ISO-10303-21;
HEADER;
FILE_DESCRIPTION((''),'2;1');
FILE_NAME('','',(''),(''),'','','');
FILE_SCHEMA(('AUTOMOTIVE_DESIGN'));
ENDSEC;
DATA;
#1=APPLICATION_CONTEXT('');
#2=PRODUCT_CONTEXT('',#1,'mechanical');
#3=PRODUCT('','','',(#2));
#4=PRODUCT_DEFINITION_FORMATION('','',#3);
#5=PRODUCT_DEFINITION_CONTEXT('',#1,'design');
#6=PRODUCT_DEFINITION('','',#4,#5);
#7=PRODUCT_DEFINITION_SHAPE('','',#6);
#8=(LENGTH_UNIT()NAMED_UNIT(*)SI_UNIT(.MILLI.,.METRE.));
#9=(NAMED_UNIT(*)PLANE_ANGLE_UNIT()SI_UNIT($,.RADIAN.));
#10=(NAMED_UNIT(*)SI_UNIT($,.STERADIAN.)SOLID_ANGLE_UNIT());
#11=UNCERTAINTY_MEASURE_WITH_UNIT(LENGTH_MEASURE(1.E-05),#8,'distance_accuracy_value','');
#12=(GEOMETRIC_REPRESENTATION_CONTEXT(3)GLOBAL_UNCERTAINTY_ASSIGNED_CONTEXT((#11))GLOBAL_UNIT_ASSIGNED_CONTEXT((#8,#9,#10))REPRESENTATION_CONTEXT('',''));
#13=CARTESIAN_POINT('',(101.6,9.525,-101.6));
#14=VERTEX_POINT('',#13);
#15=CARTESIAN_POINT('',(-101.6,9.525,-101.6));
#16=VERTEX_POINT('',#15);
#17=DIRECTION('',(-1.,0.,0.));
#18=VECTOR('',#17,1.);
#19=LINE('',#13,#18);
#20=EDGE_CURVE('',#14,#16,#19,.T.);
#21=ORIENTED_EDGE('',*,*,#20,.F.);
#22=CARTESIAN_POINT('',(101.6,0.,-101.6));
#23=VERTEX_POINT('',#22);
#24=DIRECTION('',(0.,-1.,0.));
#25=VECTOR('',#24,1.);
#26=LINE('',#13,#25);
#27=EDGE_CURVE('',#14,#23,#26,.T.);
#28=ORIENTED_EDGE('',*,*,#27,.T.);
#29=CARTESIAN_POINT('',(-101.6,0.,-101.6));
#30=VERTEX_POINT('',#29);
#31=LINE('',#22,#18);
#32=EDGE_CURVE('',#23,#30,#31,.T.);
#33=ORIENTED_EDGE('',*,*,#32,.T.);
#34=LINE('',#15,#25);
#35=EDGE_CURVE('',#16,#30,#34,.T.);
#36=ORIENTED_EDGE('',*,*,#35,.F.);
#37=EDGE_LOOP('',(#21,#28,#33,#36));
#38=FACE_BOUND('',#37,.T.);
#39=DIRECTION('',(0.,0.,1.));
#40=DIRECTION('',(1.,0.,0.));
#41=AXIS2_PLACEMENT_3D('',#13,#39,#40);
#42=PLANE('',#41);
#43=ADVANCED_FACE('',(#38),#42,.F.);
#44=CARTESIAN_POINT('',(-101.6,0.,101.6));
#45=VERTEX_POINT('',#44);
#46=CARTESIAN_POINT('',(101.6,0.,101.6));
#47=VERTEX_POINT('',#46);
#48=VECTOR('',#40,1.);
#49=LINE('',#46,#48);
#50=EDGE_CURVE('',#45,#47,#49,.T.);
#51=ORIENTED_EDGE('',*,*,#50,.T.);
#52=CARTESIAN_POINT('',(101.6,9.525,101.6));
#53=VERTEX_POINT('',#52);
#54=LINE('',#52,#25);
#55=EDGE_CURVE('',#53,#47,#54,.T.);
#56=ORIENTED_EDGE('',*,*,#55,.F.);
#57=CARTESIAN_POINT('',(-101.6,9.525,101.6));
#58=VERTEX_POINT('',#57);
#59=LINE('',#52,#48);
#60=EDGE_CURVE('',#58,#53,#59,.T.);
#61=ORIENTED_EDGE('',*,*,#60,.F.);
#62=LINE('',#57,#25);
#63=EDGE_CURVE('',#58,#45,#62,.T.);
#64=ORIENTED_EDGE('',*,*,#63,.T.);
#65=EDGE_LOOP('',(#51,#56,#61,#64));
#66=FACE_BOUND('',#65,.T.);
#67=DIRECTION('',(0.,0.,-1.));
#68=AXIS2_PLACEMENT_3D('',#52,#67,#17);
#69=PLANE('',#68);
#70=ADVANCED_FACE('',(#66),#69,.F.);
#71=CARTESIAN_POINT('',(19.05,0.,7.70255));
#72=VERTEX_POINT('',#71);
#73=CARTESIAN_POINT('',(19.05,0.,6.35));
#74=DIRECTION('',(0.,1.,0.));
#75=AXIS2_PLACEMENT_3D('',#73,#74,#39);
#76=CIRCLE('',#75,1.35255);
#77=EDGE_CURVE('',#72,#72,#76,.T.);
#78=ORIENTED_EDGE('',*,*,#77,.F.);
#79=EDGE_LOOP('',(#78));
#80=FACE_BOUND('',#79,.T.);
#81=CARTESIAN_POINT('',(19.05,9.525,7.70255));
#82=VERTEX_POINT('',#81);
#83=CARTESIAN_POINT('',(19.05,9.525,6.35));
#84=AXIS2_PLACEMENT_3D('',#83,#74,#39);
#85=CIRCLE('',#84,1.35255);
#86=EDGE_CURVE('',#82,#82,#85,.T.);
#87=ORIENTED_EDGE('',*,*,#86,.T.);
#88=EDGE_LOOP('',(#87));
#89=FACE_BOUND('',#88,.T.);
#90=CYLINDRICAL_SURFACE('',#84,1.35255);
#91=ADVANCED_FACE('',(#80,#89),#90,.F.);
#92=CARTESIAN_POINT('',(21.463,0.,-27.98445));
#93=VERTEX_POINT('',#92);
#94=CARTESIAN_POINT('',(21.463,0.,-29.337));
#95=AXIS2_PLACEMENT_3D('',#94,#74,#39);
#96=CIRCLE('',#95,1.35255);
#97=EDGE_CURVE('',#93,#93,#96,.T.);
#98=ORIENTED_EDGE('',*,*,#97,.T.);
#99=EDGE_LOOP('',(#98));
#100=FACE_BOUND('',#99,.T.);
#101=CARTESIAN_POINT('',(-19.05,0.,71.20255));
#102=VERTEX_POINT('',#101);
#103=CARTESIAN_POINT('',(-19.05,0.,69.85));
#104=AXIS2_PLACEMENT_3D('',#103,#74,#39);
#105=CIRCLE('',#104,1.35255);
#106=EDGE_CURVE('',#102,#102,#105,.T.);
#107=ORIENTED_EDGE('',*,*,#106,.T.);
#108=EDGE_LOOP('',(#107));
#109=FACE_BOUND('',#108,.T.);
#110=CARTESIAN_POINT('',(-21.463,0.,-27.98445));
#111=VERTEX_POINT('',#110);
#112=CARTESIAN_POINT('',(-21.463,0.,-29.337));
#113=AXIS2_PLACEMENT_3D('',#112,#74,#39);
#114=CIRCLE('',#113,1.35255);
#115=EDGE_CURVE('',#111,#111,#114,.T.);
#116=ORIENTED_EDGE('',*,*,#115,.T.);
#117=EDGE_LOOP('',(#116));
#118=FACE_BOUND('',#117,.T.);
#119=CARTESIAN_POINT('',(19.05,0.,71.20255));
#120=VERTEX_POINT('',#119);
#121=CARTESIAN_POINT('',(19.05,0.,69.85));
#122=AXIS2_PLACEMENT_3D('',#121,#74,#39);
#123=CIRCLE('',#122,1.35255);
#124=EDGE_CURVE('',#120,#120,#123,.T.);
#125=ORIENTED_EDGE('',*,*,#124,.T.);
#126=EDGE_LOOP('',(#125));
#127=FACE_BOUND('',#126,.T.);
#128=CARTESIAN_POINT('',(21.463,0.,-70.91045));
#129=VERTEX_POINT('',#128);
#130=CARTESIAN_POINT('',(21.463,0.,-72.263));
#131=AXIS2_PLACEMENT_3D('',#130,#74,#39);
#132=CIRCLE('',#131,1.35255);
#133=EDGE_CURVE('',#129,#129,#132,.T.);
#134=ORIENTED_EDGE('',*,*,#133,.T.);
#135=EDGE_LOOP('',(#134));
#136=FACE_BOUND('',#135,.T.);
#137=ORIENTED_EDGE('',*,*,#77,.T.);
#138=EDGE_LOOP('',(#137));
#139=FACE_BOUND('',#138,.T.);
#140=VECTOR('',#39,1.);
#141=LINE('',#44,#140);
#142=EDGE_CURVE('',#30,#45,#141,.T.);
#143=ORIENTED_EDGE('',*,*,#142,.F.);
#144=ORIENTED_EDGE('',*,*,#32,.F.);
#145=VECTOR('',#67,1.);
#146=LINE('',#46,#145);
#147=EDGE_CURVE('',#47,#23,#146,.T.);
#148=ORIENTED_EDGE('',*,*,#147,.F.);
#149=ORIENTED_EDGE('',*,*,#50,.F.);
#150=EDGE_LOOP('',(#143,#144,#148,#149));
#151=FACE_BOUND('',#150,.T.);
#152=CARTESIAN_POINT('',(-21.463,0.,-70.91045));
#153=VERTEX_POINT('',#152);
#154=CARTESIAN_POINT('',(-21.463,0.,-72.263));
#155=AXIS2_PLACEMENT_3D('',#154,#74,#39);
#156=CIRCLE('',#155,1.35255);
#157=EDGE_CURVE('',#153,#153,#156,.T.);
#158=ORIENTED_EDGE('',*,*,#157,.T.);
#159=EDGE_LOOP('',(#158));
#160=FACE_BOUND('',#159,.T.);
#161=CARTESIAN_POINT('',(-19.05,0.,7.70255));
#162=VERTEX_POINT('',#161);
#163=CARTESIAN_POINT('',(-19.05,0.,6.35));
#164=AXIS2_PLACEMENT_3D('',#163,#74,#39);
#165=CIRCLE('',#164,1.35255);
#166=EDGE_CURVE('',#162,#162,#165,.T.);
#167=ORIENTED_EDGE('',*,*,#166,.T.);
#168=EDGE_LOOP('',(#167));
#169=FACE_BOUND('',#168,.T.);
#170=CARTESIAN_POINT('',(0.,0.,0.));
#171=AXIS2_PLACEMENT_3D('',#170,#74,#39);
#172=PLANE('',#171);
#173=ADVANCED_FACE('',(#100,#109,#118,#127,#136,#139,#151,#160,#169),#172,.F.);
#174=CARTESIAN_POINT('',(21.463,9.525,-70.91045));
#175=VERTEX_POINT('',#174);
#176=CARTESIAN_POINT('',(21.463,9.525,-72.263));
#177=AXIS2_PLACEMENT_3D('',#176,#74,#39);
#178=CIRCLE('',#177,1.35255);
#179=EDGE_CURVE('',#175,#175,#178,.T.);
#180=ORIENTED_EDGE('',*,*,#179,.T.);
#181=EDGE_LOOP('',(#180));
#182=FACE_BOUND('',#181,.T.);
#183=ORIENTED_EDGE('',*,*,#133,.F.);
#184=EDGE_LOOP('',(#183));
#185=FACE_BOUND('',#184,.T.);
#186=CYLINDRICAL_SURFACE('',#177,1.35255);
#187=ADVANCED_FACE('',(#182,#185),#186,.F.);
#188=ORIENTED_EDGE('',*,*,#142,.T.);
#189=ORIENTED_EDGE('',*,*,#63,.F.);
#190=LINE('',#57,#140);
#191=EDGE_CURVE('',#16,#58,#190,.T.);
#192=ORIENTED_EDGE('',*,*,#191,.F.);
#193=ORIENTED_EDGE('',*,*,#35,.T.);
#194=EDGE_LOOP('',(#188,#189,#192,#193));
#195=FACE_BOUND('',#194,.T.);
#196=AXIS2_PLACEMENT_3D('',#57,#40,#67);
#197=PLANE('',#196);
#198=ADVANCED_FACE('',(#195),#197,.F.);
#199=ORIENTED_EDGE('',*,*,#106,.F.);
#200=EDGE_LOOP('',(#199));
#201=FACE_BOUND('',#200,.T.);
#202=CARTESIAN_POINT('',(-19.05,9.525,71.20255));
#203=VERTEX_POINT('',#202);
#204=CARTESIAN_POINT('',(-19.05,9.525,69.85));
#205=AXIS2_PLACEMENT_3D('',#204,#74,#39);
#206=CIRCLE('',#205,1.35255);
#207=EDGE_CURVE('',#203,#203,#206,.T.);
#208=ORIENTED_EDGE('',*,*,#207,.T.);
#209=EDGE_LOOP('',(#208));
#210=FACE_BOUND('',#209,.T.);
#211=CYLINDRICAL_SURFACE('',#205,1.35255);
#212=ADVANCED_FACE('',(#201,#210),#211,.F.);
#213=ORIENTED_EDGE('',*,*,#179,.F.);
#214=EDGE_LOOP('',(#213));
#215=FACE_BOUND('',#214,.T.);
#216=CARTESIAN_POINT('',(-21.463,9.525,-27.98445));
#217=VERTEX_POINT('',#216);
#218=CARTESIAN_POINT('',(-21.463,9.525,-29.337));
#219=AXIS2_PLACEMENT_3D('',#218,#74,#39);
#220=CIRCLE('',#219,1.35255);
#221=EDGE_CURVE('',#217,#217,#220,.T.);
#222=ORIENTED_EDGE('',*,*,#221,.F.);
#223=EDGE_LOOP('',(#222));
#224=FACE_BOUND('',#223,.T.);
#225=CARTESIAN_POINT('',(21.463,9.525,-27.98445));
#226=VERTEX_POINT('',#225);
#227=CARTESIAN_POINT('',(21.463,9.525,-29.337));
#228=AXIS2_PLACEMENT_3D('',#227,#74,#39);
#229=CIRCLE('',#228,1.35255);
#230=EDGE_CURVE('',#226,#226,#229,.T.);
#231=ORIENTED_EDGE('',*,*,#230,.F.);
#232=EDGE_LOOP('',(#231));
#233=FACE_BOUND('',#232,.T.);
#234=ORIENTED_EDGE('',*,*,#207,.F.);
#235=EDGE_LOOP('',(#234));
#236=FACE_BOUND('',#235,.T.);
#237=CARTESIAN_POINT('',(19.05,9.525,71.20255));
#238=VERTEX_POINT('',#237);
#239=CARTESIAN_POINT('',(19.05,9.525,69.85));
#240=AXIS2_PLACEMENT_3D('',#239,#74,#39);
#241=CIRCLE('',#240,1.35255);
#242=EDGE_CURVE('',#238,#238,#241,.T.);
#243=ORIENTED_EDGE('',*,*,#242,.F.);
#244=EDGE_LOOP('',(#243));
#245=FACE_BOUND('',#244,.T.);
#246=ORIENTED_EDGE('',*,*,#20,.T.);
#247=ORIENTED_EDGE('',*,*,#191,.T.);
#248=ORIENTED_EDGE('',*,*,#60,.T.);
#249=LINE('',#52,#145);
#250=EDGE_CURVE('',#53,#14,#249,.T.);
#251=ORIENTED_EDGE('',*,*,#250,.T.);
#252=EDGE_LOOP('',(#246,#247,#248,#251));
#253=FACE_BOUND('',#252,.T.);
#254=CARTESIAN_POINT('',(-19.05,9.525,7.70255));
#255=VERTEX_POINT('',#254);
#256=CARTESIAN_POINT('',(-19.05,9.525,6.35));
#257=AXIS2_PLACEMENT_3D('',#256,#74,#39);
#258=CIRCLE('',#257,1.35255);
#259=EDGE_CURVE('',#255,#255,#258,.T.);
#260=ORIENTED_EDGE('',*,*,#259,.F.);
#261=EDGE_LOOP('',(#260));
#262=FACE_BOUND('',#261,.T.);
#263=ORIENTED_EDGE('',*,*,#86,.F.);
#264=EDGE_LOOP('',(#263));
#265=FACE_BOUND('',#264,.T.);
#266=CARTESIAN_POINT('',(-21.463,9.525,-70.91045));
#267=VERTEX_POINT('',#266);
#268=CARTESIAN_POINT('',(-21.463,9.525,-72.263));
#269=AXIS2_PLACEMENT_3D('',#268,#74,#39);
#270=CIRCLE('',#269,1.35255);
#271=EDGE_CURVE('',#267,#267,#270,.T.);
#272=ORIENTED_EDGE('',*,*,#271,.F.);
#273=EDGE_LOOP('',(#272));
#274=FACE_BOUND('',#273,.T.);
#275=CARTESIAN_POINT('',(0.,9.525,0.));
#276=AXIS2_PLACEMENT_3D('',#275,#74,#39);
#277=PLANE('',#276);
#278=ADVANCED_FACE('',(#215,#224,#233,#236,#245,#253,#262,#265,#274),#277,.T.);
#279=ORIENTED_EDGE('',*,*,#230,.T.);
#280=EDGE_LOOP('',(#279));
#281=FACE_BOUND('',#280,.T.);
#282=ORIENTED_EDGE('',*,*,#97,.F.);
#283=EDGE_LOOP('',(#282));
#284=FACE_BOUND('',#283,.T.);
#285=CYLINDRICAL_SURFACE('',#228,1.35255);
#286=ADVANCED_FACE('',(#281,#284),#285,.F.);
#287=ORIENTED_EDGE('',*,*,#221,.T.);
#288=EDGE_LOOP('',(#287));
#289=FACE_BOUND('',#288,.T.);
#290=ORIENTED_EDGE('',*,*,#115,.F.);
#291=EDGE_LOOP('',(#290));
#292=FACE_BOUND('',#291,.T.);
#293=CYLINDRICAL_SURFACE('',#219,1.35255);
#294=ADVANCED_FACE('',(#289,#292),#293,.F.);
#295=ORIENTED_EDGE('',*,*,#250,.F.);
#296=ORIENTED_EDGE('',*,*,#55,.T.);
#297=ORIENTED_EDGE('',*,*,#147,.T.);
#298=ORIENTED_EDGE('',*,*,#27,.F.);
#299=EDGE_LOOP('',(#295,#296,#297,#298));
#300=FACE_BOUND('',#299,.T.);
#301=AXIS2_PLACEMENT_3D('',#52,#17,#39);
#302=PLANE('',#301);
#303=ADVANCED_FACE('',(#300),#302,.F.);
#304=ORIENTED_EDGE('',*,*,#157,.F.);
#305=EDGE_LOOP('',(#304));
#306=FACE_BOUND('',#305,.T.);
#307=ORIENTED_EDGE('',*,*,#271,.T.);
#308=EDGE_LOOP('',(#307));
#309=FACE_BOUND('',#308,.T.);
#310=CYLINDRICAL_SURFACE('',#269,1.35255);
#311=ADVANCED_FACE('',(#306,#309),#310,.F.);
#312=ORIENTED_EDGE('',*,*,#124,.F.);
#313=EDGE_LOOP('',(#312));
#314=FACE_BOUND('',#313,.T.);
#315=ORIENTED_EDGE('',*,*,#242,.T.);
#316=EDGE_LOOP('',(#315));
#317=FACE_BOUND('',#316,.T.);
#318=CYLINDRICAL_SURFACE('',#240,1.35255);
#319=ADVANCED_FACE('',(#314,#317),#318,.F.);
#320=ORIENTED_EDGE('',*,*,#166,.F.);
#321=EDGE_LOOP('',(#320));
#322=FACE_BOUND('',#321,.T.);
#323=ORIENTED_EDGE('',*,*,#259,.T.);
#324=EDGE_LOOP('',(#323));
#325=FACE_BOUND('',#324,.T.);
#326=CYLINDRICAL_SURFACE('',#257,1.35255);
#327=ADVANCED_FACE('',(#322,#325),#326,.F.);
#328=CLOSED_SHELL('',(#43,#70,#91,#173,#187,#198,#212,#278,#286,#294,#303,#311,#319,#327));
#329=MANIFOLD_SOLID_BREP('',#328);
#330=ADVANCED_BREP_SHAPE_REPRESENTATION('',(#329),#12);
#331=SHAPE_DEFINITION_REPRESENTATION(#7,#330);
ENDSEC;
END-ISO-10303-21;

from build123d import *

# Parameters (mm, degrees)
SKETCH1_W             = 203.2
SKETCH1_H             = 203.2
BOSS_EXTRUDE1_DEPTH   = 9.525
F_6_32_TAPPED_HOLE1_D = 2.7051
F_6_32_TAPPED_HOLE2_D = 2.7051


with BuildPart() as part:
    # Sketch1 → Boss-Extrude1 (new body)
    with BuildSketch(Plane(origin=(0, 0, 0), x_dir=(1, 0, 0), z_dir=(0, 1, 0))):
        Rectangle(SKETCH1_W, SKETCH1_H)
    extrude(amount=BOSS_EXTRUDE1_DEPTH)

    # #6-32 Tapped Hole1 (through all)
    with Locations(Plane(origin=(0, 9.525, 0), x_dir=(-1, 0, 0), z_dir=(0, 1, 0))):
        with Locations((21.463, -72.263), (-21.463, -72.263), (-21.463, -29.337), (21.463, -29.337)):
            Hole(F_6_32_TAPPED_HOLE1_D / 2)

    # #6-32 Tapped Hole2 (through all)
    with Locations(Plane(origin=(0, 9.525, 0), x_dir=(-1, 0, 0), z_dir=(0, 1, 0))):
        with Locations((19.05, 6.35), (-19.05, 6.35), (-19.05, 69.85), (19.05, 69.85)):
            Hole(F_6_32_TAPPED_HOLE2_D / 2)


solid = part.part
